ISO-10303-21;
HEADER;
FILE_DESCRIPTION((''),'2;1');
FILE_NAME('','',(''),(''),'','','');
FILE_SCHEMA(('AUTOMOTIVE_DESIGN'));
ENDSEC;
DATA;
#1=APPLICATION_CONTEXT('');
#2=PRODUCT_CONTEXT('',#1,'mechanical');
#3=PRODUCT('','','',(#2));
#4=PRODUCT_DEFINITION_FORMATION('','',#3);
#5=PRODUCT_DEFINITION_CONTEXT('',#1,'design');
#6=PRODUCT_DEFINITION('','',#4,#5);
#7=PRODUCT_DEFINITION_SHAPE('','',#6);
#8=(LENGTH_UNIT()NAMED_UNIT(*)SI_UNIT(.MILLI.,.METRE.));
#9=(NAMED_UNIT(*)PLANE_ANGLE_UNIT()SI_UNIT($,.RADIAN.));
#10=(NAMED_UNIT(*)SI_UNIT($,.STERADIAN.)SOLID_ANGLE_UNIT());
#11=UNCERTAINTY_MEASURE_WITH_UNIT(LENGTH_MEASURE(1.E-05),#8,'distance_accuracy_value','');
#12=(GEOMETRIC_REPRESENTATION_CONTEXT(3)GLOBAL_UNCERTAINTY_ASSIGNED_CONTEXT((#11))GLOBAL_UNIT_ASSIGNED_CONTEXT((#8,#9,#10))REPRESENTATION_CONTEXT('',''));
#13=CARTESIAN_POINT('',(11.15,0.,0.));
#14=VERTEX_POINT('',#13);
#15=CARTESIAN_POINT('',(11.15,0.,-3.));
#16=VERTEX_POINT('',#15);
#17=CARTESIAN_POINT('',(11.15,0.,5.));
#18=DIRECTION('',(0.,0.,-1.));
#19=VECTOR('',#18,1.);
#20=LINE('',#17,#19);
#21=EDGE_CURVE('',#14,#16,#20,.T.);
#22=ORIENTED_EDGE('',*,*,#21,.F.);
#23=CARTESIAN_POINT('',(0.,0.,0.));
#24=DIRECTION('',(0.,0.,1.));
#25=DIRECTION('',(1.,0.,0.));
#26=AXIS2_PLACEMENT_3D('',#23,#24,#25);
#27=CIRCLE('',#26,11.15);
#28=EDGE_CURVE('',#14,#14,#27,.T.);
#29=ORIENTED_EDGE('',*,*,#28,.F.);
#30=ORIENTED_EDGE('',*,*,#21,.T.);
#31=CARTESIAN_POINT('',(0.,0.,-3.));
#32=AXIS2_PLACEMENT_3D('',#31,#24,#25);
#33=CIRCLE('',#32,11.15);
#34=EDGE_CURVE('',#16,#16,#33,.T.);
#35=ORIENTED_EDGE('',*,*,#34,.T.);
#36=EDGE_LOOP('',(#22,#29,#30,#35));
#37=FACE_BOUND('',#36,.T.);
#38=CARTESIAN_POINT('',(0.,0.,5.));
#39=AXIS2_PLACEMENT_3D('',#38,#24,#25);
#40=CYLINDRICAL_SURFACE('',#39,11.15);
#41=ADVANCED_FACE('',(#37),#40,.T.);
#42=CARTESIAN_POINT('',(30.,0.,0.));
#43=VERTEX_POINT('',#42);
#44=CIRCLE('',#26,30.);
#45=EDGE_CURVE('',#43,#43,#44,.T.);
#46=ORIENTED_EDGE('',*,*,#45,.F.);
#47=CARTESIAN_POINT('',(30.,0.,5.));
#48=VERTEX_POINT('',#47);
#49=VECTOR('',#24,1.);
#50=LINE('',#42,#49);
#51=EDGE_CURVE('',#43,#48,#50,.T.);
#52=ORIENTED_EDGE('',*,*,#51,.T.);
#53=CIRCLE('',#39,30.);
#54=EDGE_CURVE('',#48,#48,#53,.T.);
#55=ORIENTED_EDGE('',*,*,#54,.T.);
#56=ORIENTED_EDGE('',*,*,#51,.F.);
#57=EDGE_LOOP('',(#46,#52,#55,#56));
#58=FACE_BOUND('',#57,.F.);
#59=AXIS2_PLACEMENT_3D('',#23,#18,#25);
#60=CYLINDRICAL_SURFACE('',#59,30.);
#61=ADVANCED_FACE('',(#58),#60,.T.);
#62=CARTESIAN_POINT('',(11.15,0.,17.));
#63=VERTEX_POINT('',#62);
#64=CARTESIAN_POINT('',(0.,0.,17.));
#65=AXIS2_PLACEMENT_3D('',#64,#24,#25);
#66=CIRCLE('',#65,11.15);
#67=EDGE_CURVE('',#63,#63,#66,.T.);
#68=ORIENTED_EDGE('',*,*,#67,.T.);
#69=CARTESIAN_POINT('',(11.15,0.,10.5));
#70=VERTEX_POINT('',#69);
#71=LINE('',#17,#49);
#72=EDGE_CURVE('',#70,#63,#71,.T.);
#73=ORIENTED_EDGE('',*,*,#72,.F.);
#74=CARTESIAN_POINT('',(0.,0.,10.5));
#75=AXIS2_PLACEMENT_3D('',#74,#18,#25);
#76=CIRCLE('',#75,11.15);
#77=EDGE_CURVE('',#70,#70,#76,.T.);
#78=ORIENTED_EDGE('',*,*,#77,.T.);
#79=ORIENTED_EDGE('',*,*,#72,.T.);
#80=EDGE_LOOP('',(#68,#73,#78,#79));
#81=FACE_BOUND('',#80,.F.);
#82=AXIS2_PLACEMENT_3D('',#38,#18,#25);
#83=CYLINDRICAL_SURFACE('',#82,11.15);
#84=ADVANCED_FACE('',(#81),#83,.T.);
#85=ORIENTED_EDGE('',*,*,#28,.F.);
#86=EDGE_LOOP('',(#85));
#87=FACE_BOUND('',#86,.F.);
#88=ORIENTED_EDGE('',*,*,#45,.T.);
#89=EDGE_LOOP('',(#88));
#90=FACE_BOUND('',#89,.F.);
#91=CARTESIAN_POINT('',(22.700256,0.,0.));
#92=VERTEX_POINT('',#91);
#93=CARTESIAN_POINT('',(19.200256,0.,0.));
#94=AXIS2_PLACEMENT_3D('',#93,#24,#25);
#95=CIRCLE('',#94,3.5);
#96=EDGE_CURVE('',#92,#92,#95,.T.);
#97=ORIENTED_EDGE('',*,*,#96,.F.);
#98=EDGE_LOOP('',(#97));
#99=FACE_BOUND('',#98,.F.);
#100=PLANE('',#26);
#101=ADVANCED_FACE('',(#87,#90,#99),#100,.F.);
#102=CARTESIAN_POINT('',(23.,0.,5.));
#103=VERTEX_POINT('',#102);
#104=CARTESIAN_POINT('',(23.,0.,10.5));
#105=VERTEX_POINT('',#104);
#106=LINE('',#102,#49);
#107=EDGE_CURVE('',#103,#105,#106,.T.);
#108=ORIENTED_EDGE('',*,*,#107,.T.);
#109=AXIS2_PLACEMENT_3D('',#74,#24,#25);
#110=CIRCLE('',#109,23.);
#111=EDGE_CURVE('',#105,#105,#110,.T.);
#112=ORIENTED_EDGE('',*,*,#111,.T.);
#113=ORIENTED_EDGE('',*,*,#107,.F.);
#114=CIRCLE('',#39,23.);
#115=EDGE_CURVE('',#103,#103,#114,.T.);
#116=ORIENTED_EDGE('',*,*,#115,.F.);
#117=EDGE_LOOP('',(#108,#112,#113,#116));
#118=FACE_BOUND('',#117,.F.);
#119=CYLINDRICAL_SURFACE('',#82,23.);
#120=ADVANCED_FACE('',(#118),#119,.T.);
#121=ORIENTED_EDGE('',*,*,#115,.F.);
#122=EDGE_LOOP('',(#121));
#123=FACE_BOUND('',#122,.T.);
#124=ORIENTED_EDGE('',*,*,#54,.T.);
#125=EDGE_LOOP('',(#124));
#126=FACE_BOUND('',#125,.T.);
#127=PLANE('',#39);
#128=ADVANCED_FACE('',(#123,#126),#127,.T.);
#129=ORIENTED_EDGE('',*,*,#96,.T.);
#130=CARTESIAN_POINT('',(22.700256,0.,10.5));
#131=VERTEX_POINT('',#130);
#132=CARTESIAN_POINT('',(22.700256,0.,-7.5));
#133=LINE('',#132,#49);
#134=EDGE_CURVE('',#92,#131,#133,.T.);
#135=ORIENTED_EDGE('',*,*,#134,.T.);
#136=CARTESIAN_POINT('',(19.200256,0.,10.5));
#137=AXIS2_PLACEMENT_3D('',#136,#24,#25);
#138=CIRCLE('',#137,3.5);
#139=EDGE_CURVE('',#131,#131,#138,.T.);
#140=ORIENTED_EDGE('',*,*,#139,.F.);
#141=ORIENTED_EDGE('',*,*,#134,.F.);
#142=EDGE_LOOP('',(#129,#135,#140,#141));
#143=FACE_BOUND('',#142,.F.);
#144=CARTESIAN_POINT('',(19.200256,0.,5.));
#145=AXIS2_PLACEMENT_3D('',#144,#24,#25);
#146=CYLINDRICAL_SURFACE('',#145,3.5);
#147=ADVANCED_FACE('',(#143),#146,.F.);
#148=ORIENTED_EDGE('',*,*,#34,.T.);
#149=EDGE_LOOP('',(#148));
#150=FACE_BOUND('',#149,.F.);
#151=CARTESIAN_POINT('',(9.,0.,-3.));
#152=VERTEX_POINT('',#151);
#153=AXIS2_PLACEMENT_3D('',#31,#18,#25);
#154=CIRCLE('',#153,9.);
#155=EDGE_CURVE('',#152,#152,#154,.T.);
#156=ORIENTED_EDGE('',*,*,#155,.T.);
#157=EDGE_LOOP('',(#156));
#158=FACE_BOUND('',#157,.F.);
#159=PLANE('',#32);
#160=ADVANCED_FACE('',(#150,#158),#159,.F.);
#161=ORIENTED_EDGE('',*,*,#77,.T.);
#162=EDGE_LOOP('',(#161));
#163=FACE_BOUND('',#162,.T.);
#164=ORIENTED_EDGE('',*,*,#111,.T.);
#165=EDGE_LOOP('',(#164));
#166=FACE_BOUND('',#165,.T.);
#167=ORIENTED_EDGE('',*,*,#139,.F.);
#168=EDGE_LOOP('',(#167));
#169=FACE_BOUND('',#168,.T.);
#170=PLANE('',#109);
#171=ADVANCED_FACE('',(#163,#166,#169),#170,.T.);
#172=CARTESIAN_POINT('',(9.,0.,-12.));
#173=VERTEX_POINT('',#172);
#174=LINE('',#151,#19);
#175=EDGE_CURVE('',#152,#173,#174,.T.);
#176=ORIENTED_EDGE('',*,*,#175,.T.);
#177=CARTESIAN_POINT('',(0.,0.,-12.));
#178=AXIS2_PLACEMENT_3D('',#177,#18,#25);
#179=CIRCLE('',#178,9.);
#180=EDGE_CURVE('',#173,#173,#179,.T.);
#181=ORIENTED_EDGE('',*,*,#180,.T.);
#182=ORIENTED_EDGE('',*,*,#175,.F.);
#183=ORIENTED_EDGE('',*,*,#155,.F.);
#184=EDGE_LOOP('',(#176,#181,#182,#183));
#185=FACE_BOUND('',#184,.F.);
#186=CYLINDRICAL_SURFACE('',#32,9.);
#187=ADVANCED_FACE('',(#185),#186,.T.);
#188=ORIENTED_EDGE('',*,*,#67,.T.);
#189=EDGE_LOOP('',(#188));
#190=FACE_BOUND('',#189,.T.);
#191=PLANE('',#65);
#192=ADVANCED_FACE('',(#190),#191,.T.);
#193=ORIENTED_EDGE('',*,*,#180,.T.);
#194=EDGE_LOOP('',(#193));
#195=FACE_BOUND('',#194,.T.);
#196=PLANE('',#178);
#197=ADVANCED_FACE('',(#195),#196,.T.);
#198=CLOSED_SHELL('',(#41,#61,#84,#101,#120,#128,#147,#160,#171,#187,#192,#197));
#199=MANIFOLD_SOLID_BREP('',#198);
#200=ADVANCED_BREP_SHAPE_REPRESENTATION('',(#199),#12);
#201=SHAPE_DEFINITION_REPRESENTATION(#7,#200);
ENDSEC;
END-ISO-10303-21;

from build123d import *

# Parameters (mm, degrees)
F0_R          = 30
F1_DEPTH      = 5
F2_R          = 11.15
F3_DEPTH      = 12
F3_DEPTH_BACK = 8
F4_R          = 9
F5_DEPTH      = 9
F6_R          = 23
F7_DEPTH      = 5.5
F8_R          = 3.5
F9_DEPTH      = 12.5


with BuildPart() as f1:
    # F0 (on Top) → F1 (new body)
    with BuildSketch(Plane.XY):
        Circle(F0_R)
    extrude(amount=F1_DEPTH)

    # F2 (on face) → F3 (join, two sides)
    with BuildSketch(Plane.XY.offset(5)) as f3_sk:
        Circle(F2_R)
    extrude(amount=F3_DEPTH)
    extrude(f3_sk.sketch, amount=-F3_DEPTH_BACK)

    # F4 (on face) → F5 (join)
    with BuildSketch(Plane(origin=(0, 0, -3), x_dir=(1, 0, 0), z_dir=(0, 0, -1))):
        Circle(F4_R)
    extrude(amount=F5_DEPTH)

    # F6 (on face) → F7 (join)
    with BuildSketch(Plane.XY.offset(5)):
        Circle(F6_R)
    extrude(amount=F7_DEPTH)

    # F8 (on face) → F9 (cut, symmetric)
    with BuildSketch(Plane.XY.offset(5)):
        with Locations((19.200256, 0)):
            Circle(F8_R)
    extrude(amount=F9_DEPTH, both=True, mode=Mode.SUBTRACT)


solid = f1.part
